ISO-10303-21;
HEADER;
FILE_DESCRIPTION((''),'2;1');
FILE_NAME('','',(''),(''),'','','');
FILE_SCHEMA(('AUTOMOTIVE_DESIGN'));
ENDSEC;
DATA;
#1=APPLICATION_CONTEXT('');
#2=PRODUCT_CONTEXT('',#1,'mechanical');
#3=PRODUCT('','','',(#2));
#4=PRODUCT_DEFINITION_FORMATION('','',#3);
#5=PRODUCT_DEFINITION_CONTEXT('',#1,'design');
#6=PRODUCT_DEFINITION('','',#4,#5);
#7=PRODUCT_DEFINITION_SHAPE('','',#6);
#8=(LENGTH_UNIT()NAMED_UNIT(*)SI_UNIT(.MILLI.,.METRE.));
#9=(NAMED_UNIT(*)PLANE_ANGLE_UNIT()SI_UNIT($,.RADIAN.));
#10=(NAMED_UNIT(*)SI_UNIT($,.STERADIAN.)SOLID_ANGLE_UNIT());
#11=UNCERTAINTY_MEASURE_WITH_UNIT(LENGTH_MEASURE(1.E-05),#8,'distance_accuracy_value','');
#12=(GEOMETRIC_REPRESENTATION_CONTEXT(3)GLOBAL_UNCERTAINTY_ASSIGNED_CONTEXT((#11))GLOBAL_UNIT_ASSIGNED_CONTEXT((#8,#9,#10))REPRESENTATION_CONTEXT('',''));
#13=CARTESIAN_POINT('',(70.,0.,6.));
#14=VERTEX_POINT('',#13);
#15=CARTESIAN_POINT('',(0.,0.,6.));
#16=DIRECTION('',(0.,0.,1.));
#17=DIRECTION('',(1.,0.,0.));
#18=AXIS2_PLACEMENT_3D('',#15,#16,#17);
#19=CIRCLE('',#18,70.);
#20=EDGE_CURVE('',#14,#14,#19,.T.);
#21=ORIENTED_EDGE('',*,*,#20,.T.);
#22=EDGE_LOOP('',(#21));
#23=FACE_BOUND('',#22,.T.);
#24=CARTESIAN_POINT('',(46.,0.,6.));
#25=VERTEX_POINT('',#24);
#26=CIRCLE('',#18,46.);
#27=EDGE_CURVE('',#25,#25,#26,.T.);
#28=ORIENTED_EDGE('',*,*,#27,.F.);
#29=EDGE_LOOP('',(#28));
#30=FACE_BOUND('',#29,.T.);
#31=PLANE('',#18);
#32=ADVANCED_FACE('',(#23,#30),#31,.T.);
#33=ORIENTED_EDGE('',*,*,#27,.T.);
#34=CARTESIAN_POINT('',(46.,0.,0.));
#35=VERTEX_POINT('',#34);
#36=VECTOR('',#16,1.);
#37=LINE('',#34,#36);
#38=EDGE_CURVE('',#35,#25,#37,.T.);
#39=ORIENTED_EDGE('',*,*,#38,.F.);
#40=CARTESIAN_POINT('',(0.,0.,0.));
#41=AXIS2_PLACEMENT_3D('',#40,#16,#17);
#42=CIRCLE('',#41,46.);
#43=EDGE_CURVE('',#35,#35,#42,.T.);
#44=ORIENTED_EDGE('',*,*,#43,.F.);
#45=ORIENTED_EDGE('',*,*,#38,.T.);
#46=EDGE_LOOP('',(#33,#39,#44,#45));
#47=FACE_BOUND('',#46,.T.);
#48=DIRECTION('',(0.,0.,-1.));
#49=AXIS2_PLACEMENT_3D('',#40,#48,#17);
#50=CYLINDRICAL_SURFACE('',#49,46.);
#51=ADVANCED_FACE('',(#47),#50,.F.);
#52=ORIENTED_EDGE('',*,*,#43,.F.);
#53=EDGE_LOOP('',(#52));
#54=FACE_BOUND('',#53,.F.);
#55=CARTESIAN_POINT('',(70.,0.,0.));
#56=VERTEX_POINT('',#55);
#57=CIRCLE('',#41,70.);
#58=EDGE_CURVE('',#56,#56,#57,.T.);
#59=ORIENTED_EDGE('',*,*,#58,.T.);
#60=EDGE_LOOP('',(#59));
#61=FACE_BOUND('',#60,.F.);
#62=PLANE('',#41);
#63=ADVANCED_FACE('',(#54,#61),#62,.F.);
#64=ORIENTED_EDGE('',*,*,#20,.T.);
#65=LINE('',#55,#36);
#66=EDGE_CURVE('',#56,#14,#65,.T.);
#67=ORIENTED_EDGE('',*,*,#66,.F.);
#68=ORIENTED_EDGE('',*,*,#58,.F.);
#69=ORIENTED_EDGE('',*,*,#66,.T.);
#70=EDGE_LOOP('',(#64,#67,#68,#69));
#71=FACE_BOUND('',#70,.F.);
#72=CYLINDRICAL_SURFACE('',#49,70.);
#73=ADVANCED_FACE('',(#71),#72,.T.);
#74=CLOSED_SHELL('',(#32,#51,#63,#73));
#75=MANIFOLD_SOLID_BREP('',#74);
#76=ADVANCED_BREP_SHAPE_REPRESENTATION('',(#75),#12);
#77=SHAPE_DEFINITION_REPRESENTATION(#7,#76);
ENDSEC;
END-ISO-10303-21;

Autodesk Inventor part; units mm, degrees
ref_plane "YZ Plane" through (0, 0, 0) normal (1, 0, 0) x (0, 1, 0)
ref_plane "XZ Plane" through (0, 0, 0) normal (0, 1, 0) x (-1, 0, 0)
ref_plane "XY Plane" through (0, 0, 0) normal (0, 0, 1) x (1, 0, 0)
sketch "Sketch2" plane through (0, 0, 0) normal (0, 0, 1) x (1, 0, 0)
  circle A0 centre (0, 0) radius 46
  circle A1 centre (0, 0) radius 70
  dimension "d25" = 92
  dimension "d27" = 140
extrude "Plate2" add sketch "Sketch2" along normal blind 6
equation "\"d14\" = Thickness"
equation "\"BendReliefWidth\" = Thickness"
equation "\"BendReliefDepth\" = 0.5 * Thickness"
equation "\"CornerReliefSize\" = 4 * Thickness"
equation "\"MinimumRemnant\" = 2 * Thickness"
equation "\"TransitionRadius\" = BendRadius"
equation "\"JacobiRadiusSize\" = BendRadius"
equation "\"GapSize\" = Thickness"
equation "\"Thickness\" = 6"
equation "\"BendRadius\" = 6"
properties part number "PRS 1432 FDS free flange DN90_940" material "Steel"
